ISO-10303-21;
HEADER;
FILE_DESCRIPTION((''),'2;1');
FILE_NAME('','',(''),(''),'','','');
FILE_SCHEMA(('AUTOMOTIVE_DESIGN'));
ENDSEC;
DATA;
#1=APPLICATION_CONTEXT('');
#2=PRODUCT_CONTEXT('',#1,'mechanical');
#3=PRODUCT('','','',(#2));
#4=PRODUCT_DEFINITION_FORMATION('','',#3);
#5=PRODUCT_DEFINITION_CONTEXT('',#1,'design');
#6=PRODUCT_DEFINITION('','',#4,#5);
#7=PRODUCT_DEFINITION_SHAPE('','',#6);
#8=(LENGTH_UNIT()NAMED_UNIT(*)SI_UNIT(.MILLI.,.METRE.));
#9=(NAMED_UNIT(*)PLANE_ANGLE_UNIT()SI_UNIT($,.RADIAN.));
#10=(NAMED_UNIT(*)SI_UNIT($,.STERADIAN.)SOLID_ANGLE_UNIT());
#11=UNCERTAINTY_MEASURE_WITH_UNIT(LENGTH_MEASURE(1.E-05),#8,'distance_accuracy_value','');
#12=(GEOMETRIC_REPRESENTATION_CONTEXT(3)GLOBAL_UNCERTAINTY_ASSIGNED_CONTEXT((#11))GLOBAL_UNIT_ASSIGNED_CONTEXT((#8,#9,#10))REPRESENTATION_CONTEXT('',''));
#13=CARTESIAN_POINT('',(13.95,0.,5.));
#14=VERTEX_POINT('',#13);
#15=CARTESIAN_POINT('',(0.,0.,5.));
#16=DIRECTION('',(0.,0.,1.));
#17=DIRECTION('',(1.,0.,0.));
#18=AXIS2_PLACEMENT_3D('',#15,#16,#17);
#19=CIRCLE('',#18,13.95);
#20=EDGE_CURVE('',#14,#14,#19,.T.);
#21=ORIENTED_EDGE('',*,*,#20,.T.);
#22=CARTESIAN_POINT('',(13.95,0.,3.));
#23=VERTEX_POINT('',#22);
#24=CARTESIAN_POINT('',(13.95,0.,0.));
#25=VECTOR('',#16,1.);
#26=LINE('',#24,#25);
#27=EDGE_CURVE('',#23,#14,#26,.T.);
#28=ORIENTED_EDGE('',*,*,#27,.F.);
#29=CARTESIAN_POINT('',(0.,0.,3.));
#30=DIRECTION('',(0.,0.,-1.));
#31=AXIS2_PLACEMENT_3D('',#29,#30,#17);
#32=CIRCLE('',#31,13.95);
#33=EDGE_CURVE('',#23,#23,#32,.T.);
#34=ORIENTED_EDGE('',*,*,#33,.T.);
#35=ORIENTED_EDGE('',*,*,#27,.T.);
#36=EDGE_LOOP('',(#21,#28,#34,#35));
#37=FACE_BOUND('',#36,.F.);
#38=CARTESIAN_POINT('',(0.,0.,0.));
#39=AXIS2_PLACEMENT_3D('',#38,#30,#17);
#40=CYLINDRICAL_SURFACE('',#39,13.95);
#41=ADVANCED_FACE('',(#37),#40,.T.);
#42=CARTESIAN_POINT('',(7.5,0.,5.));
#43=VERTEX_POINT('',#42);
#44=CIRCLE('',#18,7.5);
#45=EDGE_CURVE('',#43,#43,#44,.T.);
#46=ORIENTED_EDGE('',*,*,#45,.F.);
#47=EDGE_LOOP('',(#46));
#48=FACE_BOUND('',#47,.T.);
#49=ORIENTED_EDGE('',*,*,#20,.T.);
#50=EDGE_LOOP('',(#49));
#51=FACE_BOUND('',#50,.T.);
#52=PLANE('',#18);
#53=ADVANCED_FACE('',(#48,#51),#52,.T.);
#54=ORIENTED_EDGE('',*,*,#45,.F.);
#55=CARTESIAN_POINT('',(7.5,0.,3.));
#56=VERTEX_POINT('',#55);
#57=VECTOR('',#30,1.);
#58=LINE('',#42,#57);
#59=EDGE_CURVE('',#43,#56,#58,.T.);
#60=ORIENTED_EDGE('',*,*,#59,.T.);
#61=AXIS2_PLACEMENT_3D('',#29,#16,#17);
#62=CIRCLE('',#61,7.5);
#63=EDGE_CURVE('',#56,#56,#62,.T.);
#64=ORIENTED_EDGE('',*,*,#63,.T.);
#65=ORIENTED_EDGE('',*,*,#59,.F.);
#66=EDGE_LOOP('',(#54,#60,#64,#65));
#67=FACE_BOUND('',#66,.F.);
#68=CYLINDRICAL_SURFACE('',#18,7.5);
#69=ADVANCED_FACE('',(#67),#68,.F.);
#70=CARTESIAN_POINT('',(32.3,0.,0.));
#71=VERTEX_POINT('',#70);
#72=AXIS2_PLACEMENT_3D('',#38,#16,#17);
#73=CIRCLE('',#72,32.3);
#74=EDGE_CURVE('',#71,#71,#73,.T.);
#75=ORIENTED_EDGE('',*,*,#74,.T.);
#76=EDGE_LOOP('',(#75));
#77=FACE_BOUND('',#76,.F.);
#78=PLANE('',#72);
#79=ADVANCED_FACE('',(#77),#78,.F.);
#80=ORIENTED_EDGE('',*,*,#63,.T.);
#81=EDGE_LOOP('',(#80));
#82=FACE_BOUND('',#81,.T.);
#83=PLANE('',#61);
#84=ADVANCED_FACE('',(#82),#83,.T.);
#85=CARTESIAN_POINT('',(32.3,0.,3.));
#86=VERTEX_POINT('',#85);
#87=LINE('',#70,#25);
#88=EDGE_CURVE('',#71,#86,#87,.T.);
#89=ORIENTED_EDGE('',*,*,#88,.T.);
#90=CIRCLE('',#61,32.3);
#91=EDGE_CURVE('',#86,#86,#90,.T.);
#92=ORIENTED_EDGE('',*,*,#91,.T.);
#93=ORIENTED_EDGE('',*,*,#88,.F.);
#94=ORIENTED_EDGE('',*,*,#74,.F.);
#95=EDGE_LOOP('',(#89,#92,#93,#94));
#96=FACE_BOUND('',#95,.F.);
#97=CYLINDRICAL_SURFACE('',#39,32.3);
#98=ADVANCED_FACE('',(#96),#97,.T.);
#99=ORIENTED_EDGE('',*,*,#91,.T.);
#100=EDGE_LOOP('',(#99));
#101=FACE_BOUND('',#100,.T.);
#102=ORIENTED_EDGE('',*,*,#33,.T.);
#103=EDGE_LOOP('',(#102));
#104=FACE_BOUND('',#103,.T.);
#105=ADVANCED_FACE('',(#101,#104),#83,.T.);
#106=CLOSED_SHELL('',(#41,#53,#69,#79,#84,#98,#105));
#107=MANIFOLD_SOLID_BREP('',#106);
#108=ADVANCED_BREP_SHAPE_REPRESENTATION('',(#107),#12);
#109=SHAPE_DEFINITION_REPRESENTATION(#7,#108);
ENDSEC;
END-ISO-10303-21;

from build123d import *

# Parameters (mm, degrees)
F0_R     = 32.3
F1_DEPTH = 3
F2_R     = 13.95
F3_DEPTH = 5
F4_R     = 7.5
F5_DEPTH = 2


with BuildPart() as f1:
    # F0 (on Top) → F1 (new body)
    with BuildSketch(Plane.XY):
        Circle(F0_R)
    extrude(amount=F1_DEPTH)

    # F2 (on Top) → F3 (join)
    with BuildSketch(Plane.XY):
        Circle(F2_R)
    extrude(amount=F3_DEPTH)

    # F4 (on face) → F5 (cut)
    with BuildSketch(Plane.XY.offset(5)):
        Circle(F4_R)
    extrude(amount=-F5_DEPTH, mode=Mode.SUBTRACT)


solid = f1.part
